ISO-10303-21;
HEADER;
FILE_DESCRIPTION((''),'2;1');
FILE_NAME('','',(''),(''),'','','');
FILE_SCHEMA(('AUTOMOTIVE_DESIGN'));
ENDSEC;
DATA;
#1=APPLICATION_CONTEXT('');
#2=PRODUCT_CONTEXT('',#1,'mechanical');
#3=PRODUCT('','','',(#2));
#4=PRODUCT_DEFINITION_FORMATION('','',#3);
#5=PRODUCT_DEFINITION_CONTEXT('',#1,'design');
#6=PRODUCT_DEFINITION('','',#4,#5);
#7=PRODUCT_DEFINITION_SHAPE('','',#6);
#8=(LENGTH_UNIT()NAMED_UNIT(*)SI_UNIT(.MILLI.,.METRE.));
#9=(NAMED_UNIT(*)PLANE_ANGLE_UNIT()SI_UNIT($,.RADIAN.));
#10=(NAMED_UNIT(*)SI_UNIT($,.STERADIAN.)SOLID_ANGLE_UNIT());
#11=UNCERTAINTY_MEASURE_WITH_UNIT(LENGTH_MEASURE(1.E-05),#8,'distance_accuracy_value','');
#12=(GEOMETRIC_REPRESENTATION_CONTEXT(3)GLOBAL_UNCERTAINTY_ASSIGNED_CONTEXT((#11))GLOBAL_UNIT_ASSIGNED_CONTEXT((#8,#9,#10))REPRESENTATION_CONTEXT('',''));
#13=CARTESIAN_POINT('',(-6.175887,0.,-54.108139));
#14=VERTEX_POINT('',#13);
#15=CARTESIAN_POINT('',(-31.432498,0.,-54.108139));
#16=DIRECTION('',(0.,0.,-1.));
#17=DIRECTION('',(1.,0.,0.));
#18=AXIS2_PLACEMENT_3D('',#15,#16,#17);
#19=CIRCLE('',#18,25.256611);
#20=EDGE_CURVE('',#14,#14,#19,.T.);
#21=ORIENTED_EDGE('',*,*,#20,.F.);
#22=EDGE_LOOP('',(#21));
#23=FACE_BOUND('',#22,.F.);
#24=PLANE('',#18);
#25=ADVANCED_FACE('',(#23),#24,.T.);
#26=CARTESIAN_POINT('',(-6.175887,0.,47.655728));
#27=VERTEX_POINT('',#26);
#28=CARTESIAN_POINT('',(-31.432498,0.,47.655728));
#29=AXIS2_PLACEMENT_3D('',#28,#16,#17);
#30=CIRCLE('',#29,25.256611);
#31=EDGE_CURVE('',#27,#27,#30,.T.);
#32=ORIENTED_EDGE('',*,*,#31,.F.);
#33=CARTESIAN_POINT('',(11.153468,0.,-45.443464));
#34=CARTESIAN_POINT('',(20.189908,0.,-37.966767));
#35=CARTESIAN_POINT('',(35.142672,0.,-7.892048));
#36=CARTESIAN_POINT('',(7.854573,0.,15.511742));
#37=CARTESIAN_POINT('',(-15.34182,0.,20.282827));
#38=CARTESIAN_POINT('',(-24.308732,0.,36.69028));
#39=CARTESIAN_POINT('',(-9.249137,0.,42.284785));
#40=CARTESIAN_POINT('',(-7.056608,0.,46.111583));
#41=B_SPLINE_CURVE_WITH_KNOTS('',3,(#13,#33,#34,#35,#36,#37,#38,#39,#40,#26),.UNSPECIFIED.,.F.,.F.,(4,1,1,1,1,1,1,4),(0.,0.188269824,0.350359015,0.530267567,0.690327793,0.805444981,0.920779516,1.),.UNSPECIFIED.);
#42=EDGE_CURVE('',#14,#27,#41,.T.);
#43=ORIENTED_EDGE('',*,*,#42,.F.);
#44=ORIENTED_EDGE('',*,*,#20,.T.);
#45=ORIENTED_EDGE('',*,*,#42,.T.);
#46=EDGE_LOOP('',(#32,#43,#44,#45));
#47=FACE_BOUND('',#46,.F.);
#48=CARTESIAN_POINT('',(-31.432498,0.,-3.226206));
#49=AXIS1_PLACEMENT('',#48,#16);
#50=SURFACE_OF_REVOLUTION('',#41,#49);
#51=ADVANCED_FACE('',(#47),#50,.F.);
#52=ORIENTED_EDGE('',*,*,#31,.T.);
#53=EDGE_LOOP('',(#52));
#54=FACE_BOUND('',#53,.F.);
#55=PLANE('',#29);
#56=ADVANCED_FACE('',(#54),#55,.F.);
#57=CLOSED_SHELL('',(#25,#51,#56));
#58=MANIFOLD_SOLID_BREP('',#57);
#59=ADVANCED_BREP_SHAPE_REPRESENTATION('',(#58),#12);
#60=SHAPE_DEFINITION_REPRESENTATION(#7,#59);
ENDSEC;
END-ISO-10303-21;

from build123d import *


with BuildPart() as f1:
    # F0 (on Front) → F1 (revolve)
    with BuildSketch(Plane.XZ):
        with BuildLine():
            Line((-6.1758868396, 47.6557277143), (-31.4324982464, 47.6557277143))
            Line((-31.4324982464, 47.6557277143), (-31.4324982464, -54.1081391275))
            Line((-31.4324982464, -54.1081391275), (-6.1758868396, -54.1081391275))
            add(Edge.make_bspline(
                [(-6.1758868396, -54.1081391275), (11.1534679309, -45.4434640706), (20.1899076154, -37.966767407), (35.1426722289, -7.8920481554), (7.8545729664, 15.5117415632), (-15.3418200125, 20.2828268185), (-24.3087322246, 36.6902803703), (-9.2491369569, 42.2847849634), (-7.0566083893, 46.1115828313), (-6.1758868396, 47.6557277143)],
                knots=[0, 0, 0, 0, 0.1882698242, 0.3503590145, 0.530267567, 0.6903277926, 0.8054449812, 0.9207795159, 1, 1, 1, 1], degree=3))
        make_face()
    revolve(axis=Axis((-31.4324982464, 0, -3.2262057066), (0, 0, -1)))


solid = f1.part
